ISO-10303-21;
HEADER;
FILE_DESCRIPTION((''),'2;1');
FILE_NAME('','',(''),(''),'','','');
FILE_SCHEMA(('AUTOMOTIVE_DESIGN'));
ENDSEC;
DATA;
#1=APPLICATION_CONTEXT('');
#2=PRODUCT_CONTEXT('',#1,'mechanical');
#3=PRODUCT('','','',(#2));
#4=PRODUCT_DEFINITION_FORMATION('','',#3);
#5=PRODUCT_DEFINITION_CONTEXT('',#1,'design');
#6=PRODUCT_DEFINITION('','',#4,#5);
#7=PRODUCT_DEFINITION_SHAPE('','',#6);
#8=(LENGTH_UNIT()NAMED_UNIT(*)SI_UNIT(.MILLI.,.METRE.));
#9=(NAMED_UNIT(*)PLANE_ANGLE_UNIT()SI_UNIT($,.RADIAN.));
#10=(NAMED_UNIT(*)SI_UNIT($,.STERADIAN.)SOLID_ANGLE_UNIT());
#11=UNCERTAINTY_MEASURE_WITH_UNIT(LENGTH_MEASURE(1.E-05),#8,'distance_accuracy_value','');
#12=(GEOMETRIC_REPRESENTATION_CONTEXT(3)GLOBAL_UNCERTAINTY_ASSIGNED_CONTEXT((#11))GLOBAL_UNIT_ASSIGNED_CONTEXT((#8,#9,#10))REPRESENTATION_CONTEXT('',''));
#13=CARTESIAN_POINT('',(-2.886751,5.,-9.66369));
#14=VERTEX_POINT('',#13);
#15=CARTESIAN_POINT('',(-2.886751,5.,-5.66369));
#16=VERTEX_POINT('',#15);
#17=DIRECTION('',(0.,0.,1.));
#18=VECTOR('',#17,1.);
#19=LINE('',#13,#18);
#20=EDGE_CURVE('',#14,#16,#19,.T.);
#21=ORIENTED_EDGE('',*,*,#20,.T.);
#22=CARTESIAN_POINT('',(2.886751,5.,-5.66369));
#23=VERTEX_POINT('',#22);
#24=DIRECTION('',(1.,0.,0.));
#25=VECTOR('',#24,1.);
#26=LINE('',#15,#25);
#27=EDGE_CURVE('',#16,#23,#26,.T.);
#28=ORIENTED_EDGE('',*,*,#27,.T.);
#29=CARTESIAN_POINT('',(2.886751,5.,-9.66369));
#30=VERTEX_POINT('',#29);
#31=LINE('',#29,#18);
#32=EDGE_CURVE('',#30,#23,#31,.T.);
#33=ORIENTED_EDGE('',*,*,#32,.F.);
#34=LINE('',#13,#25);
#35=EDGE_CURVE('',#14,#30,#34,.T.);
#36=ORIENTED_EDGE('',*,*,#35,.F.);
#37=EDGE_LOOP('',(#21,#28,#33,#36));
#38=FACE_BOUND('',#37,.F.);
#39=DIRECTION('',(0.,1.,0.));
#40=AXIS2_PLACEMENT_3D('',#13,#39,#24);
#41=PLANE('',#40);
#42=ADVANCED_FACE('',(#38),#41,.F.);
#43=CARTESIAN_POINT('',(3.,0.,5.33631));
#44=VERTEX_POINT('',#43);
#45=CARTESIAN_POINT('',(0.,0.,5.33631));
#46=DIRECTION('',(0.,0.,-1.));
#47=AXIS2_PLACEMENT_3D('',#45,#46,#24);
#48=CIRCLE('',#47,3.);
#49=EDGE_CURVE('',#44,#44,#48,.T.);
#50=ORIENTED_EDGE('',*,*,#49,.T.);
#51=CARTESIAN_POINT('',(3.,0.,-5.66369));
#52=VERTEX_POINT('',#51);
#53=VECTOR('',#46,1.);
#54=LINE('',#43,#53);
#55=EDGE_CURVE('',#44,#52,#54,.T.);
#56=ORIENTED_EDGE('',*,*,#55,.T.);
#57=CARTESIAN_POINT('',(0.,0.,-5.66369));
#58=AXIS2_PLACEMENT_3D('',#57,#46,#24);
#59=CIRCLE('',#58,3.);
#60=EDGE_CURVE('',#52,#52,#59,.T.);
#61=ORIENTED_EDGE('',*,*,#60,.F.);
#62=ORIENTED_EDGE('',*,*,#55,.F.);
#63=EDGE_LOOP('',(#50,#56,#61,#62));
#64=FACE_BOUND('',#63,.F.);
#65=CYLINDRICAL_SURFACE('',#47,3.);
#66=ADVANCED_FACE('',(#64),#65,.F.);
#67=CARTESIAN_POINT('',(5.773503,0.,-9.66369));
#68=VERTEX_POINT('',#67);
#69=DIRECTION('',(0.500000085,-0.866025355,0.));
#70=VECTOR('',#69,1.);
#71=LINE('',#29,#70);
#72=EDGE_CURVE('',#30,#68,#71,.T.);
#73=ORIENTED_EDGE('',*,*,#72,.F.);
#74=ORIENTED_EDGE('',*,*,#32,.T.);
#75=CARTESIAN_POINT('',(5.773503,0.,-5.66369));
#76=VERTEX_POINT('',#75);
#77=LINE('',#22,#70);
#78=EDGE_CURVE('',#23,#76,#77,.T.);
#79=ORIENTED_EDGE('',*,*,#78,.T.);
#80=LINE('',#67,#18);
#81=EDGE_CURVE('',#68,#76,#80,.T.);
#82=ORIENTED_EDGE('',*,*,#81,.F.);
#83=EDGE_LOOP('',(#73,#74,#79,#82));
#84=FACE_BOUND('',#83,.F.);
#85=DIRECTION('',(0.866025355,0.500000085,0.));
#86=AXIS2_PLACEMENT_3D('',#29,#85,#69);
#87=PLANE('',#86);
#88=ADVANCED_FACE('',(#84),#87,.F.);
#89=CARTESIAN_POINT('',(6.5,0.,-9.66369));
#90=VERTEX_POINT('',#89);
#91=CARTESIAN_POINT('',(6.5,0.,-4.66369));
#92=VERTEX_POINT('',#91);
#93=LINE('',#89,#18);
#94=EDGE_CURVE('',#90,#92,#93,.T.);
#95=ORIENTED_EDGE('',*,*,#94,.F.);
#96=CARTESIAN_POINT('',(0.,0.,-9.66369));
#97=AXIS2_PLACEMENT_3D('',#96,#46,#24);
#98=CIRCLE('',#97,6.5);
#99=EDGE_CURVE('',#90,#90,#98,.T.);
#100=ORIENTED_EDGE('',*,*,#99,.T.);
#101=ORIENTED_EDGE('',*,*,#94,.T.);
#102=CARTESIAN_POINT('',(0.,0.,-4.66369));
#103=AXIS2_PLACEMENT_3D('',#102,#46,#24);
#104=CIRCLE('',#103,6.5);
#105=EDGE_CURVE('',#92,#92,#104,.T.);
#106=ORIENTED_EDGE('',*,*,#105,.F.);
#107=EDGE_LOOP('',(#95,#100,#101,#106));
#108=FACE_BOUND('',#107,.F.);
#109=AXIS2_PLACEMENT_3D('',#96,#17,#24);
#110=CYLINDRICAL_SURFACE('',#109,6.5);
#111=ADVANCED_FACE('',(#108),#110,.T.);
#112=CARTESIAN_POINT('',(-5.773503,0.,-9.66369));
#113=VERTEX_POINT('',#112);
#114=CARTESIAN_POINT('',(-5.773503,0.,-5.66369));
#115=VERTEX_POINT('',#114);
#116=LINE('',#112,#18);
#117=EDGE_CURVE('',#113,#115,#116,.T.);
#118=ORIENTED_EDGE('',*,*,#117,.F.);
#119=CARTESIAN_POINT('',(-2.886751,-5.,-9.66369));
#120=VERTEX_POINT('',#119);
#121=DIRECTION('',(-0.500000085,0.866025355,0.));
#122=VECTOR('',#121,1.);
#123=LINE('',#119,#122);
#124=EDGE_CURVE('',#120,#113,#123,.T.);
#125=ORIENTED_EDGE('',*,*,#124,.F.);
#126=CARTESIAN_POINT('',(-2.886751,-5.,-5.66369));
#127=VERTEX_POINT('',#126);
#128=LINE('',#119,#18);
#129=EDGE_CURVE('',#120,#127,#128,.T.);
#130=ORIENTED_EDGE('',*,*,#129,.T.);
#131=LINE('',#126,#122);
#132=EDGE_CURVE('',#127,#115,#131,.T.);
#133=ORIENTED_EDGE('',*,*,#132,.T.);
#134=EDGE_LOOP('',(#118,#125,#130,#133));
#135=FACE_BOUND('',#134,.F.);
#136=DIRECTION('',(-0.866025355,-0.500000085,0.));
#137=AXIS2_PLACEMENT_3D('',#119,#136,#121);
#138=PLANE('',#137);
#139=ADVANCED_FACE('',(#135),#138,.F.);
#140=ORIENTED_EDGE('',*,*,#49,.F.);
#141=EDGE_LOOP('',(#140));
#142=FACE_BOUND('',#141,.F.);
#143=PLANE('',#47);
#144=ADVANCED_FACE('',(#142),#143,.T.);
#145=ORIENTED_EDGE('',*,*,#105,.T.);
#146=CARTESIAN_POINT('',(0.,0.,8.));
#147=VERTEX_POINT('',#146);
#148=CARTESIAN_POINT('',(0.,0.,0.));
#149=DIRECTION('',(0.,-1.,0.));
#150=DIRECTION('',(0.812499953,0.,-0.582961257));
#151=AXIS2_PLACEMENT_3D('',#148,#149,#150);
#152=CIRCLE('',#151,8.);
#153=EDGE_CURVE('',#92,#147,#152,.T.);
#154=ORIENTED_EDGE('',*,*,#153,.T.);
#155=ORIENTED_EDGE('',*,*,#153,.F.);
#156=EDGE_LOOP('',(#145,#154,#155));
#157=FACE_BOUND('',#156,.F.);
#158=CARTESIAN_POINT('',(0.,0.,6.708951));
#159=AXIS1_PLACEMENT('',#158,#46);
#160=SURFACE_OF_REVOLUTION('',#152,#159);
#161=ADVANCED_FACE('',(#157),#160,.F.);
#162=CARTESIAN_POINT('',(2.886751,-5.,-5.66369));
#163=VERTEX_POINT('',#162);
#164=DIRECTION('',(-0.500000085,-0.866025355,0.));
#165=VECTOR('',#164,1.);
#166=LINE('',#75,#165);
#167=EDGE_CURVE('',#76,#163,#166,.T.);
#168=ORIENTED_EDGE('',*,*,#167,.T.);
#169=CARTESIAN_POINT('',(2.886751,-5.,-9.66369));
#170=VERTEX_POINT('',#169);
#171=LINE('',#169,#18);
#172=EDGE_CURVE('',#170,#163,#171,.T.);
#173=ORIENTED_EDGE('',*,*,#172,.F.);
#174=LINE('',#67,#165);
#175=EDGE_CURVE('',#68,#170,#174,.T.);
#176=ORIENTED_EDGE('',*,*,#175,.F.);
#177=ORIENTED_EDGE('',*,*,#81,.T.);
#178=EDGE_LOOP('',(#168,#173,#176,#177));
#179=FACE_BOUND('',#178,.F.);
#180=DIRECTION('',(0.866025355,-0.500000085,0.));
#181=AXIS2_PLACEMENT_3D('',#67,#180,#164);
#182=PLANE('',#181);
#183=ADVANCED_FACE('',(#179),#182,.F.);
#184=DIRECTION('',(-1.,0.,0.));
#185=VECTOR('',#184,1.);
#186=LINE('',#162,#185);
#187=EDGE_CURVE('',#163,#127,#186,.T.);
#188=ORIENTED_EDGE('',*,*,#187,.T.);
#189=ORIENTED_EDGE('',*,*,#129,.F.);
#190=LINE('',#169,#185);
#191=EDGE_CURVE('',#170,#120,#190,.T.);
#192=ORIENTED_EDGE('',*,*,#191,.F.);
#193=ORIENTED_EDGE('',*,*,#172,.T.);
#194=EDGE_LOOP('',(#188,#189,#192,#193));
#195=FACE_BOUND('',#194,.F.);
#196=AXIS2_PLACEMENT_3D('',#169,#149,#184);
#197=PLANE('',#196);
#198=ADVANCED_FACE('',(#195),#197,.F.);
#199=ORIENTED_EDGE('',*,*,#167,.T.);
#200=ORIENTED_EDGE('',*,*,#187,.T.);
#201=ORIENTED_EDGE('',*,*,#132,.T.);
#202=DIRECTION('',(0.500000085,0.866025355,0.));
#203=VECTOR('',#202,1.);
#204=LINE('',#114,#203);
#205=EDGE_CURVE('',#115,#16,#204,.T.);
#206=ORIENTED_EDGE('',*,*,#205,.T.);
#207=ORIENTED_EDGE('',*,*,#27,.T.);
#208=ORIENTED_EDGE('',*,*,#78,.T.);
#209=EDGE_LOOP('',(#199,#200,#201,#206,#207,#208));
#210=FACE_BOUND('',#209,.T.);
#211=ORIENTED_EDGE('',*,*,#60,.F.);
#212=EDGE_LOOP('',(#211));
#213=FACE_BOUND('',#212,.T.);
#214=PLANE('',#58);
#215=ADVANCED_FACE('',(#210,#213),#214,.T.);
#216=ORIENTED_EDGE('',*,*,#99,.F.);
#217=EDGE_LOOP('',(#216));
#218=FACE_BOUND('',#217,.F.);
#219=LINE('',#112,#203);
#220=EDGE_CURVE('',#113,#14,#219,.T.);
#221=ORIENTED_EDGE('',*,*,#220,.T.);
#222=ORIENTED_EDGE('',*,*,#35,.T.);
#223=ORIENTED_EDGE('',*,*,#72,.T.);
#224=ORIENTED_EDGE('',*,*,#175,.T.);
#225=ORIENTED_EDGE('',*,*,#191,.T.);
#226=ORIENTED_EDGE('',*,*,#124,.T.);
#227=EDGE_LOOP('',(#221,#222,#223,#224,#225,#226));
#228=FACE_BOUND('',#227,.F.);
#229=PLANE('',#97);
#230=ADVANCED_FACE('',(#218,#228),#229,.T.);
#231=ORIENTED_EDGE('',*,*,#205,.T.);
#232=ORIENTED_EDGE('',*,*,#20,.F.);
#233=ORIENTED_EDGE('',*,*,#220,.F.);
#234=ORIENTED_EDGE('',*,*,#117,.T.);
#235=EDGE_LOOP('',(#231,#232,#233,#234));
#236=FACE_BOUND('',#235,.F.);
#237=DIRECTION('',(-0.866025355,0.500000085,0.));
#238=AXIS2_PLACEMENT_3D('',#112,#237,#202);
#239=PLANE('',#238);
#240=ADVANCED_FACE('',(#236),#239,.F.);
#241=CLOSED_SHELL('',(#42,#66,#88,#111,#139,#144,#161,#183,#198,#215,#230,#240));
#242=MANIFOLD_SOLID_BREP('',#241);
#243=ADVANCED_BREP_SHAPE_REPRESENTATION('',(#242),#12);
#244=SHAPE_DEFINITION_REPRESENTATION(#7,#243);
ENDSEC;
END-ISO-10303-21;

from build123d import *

# Parameters (mm, degrees)
F2_R     = 3
F3_DEPTH = 4


with BuildPart() as f1:
    # F0 (on Front) → F1 (revolve)
    with BuildSketch(Plane.XZ):
        with BuildLine():
            Line((3, -4.66369), (6.5, -4.66369))
            ThreePointArc((6.5, -4.66369), (7.117216, 3.653114), (0, 8))
            Line((0, 8), (0, 5.33631))
            Line((0, 5.33631), (3, 5.33631))
            Line((3, 5.33631), (3, -4.66369))
        make_face()
        with BuildLine():
            Line((3, -4.66369), (3, -7.416198))
            ThreePointArc((3, -7.416198), (4.945359, -6.288356), (6.5, -4.66369))
            Line((6.5, -4.66369), (3, -4.66369))
        make_face()
        with BuildLine():
            ThreePointArc((6.5, -4.66369), (4.945359, -6.288356), (3, -7.416198))
            Line((3, -7.416198), (3, -9.66369))
            Line((3, -9.66369), (6.5, -9.66369))
            Line((6.5, -9.66369), (6.5, -4.66369))
        make_face()
    revolve(axis=Axis((0, 0, 6.708951), (0, 0, -1)))

    # F2 (on face) → F3 (cut)
    with BuildSketch(Plane(origin=(0, 0, -9.66369), x_dir=(1, 0, 0), z_dir=(0, 0, -1))):
        Polygon((-2.886751, 5), (-5.773503, 0), (-2.886751, -5), (2.886751, -5), (5.773503, 0), (2.886751, 5), align=None)
        Circle(F2_R, mode=Mode.SUBTRACT)
    extrude(amount=-F3_DEPTH, mode=Mode.SUBTRACT)


solid = f1.part
